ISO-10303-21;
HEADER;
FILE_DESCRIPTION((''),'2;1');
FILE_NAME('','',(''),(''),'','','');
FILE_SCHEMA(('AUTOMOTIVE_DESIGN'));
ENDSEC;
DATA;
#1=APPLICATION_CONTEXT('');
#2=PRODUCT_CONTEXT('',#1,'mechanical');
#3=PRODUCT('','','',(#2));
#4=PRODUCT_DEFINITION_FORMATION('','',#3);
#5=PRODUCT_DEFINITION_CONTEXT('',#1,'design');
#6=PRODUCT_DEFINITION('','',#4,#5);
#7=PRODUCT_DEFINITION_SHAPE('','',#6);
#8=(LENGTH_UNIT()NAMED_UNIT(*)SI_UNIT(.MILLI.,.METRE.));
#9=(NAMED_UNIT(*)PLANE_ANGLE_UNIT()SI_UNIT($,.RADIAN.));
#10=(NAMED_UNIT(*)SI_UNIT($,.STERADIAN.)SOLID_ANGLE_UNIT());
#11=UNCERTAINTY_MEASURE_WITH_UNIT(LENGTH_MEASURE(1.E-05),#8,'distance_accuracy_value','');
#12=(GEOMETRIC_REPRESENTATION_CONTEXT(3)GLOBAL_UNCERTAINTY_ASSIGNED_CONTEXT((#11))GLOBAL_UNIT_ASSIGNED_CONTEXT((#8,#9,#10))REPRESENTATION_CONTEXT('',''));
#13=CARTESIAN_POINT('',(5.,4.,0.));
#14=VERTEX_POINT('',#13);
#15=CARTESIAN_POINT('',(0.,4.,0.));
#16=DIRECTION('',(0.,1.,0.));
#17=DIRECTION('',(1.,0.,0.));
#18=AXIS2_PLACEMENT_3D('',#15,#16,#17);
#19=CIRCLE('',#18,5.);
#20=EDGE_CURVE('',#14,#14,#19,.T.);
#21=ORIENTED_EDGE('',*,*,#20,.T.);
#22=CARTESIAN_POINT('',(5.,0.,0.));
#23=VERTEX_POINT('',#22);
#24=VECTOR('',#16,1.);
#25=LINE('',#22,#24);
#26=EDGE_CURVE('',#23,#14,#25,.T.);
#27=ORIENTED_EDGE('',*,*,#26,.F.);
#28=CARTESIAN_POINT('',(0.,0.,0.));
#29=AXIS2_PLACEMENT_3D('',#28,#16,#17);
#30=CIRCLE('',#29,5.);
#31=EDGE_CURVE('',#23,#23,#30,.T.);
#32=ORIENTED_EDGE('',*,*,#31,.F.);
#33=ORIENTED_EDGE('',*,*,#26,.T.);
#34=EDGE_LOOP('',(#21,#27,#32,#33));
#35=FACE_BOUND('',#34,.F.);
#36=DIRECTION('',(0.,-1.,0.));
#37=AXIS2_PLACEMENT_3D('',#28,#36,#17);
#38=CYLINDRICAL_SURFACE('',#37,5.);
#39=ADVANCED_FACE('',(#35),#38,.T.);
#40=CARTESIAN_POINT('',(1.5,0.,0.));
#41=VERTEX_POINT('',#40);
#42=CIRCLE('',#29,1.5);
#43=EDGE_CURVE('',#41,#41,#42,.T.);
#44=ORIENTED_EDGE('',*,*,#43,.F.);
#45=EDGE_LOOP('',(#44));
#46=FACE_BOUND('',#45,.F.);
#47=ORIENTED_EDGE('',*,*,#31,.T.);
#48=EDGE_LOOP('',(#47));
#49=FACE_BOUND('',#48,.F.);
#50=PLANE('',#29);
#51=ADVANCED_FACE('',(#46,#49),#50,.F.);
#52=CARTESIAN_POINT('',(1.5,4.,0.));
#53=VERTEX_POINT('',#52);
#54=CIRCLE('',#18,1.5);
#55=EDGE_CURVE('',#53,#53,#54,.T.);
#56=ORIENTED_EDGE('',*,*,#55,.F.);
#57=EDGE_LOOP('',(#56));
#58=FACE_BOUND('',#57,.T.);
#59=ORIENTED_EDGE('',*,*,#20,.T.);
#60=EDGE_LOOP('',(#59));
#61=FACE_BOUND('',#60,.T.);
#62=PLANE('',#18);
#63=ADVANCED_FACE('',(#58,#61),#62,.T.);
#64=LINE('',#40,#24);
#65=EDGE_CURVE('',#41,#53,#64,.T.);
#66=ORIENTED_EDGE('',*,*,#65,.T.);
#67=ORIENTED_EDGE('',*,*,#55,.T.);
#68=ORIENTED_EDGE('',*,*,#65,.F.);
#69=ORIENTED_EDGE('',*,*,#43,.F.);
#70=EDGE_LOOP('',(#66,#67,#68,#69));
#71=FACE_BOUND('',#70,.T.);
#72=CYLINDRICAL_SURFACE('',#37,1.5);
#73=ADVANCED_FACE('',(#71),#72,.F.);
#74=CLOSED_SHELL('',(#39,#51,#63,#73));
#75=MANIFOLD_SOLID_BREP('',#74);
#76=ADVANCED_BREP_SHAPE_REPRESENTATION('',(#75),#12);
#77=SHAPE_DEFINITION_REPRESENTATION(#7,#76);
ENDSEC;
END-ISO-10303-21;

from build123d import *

# Parameters (mm, degrees)
SKETCH_1_R      = 5
SKETCH_1_R_2    = 1.5
EXTRUDE_1_DEPTH = 4


with BuildPart() as part:
    # 草图1 → 凸台-拉伸1 (new body)
    with BuildSketch(Plane(origin=(0, 0, 0), x_dir=(1, 0, 0), z_dir=(0, 1, 0))):
        Circle(SKETCH_1_R)
        Circle(SKETCH_1_R_2, mode=Mode.SUBTRACT)
    extrude(amount=EXTRUDE_1_DEPTH)


solid = part.part
